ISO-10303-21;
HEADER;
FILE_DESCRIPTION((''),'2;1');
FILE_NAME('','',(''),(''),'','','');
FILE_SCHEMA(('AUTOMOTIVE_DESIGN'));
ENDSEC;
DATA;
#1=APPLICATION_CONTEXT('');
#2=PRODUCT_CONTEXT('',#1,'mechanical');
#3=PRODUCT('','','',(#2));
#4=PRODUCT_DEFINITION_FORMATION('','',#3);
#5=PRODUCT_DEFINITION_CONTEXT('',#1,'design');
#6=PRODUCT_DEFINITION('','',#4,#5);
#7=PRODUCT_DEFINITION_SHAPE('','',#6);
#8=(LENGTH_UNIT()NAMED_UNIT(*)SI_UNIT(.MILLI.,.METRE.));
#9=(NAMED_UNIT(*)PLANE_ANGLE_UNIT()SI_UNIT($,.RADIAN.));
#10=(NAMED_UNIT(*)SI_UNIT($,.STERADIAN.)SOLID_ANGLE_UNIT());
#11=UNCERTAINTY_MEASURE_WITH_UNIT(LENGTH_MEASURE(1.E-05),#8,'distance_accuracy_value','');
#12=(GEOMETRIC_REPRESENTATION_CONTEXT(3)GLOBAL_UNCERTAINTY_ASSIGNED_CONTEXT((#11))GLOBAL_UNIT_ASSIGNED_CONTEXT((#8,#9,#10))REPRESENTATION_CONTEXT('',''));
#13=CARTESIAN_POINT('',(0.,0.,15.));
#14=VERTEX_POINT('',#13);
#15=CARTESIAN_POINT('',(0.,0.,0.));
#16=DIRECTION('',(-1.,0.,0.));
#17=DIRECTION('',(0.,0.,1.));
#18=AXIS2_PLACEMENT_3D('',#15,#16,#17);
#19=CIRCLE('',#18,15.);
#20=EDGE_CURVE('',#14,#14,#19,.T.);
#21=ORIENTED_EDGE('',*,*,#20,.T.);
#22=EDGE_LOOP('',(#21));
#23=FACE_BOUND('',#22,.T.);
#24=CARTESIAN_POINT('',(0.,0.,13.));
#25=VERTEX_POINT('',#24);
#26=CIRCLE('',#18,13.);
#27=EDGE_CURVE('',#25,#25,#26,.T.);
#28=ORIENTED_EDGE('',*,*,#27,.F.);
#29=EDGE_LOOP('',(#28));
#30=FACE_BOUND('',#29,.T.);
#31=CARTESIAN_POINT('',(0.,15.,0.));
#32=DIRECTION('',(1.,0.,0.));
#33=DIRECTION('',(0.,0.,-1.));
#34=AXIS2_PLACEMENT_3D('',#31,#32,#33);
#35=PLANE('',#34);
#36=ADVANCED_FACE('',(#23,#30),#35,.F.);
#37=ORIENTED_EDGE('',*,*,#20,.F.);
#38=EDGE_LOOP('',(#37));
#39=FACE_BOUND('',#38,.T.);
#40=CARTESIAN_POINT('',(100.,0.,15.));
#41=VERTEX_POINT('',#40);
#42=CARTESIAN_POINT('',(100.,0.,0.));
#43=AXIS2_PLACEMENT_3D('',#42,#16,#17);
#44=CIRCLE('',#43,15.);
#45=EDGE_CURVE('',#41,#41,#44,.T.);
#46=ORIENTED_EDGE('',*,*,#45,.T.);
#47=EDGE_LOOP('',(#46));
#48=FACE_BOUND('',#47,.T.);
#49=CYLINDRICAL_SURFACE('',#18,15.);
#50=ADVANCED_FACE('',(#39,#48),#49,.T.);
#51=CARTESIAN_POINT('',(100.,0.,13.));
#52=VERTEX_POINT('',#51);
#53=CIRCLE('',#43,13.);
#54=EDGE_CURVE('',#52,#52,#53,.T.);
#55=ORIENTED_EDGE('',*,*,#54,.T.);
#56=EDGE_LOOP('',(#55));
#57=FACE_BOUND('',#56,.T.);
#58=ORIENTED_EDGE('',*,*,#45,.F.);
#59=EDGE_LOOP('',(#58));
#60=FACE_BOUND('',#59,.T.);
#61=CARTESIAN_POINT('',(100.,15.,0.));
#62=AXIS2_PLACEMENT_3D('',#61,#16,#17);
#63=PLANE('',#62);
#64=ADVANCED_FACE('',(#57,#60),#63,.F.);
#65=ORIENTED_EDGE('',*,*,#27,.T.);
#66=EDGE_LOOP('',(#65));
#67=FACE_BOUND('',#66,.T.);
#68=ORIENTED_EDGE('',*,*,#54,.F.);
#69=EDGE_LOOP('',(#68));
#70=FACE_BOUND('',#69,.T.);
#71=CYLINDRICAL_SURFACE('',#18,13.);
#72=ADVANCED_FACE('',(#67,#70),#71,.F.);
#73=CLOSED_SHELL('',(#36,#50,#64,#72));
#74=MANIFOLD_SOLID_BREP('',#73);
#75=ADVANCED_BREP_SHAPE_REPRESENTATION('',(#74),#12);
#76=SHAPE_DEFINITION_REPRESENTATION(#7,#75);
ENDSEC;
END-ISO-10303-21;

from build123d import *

# Parameters (mm, degrees)
ESQUISSE1_W = 100
ESQUISSE1_H = 2


with BuildPart() as part:
    # Esquisse1 → Révolution1 (revolve)
    with BuildSketch(Plane.XY, mode=Mode.PRIVATE) as r_volution1_sk:
        with Locations((50, 14)):
            Rectangle(ESQUISSE1_W, ESQUISSE1_H)
    revolve(r_volution1_sk.sketch.rotate(Axis((0, 0, 0), (1, 0, 0)), 90), axis=Axis((0, 0, 0), (1, 0, 0)))


solid = part.part
